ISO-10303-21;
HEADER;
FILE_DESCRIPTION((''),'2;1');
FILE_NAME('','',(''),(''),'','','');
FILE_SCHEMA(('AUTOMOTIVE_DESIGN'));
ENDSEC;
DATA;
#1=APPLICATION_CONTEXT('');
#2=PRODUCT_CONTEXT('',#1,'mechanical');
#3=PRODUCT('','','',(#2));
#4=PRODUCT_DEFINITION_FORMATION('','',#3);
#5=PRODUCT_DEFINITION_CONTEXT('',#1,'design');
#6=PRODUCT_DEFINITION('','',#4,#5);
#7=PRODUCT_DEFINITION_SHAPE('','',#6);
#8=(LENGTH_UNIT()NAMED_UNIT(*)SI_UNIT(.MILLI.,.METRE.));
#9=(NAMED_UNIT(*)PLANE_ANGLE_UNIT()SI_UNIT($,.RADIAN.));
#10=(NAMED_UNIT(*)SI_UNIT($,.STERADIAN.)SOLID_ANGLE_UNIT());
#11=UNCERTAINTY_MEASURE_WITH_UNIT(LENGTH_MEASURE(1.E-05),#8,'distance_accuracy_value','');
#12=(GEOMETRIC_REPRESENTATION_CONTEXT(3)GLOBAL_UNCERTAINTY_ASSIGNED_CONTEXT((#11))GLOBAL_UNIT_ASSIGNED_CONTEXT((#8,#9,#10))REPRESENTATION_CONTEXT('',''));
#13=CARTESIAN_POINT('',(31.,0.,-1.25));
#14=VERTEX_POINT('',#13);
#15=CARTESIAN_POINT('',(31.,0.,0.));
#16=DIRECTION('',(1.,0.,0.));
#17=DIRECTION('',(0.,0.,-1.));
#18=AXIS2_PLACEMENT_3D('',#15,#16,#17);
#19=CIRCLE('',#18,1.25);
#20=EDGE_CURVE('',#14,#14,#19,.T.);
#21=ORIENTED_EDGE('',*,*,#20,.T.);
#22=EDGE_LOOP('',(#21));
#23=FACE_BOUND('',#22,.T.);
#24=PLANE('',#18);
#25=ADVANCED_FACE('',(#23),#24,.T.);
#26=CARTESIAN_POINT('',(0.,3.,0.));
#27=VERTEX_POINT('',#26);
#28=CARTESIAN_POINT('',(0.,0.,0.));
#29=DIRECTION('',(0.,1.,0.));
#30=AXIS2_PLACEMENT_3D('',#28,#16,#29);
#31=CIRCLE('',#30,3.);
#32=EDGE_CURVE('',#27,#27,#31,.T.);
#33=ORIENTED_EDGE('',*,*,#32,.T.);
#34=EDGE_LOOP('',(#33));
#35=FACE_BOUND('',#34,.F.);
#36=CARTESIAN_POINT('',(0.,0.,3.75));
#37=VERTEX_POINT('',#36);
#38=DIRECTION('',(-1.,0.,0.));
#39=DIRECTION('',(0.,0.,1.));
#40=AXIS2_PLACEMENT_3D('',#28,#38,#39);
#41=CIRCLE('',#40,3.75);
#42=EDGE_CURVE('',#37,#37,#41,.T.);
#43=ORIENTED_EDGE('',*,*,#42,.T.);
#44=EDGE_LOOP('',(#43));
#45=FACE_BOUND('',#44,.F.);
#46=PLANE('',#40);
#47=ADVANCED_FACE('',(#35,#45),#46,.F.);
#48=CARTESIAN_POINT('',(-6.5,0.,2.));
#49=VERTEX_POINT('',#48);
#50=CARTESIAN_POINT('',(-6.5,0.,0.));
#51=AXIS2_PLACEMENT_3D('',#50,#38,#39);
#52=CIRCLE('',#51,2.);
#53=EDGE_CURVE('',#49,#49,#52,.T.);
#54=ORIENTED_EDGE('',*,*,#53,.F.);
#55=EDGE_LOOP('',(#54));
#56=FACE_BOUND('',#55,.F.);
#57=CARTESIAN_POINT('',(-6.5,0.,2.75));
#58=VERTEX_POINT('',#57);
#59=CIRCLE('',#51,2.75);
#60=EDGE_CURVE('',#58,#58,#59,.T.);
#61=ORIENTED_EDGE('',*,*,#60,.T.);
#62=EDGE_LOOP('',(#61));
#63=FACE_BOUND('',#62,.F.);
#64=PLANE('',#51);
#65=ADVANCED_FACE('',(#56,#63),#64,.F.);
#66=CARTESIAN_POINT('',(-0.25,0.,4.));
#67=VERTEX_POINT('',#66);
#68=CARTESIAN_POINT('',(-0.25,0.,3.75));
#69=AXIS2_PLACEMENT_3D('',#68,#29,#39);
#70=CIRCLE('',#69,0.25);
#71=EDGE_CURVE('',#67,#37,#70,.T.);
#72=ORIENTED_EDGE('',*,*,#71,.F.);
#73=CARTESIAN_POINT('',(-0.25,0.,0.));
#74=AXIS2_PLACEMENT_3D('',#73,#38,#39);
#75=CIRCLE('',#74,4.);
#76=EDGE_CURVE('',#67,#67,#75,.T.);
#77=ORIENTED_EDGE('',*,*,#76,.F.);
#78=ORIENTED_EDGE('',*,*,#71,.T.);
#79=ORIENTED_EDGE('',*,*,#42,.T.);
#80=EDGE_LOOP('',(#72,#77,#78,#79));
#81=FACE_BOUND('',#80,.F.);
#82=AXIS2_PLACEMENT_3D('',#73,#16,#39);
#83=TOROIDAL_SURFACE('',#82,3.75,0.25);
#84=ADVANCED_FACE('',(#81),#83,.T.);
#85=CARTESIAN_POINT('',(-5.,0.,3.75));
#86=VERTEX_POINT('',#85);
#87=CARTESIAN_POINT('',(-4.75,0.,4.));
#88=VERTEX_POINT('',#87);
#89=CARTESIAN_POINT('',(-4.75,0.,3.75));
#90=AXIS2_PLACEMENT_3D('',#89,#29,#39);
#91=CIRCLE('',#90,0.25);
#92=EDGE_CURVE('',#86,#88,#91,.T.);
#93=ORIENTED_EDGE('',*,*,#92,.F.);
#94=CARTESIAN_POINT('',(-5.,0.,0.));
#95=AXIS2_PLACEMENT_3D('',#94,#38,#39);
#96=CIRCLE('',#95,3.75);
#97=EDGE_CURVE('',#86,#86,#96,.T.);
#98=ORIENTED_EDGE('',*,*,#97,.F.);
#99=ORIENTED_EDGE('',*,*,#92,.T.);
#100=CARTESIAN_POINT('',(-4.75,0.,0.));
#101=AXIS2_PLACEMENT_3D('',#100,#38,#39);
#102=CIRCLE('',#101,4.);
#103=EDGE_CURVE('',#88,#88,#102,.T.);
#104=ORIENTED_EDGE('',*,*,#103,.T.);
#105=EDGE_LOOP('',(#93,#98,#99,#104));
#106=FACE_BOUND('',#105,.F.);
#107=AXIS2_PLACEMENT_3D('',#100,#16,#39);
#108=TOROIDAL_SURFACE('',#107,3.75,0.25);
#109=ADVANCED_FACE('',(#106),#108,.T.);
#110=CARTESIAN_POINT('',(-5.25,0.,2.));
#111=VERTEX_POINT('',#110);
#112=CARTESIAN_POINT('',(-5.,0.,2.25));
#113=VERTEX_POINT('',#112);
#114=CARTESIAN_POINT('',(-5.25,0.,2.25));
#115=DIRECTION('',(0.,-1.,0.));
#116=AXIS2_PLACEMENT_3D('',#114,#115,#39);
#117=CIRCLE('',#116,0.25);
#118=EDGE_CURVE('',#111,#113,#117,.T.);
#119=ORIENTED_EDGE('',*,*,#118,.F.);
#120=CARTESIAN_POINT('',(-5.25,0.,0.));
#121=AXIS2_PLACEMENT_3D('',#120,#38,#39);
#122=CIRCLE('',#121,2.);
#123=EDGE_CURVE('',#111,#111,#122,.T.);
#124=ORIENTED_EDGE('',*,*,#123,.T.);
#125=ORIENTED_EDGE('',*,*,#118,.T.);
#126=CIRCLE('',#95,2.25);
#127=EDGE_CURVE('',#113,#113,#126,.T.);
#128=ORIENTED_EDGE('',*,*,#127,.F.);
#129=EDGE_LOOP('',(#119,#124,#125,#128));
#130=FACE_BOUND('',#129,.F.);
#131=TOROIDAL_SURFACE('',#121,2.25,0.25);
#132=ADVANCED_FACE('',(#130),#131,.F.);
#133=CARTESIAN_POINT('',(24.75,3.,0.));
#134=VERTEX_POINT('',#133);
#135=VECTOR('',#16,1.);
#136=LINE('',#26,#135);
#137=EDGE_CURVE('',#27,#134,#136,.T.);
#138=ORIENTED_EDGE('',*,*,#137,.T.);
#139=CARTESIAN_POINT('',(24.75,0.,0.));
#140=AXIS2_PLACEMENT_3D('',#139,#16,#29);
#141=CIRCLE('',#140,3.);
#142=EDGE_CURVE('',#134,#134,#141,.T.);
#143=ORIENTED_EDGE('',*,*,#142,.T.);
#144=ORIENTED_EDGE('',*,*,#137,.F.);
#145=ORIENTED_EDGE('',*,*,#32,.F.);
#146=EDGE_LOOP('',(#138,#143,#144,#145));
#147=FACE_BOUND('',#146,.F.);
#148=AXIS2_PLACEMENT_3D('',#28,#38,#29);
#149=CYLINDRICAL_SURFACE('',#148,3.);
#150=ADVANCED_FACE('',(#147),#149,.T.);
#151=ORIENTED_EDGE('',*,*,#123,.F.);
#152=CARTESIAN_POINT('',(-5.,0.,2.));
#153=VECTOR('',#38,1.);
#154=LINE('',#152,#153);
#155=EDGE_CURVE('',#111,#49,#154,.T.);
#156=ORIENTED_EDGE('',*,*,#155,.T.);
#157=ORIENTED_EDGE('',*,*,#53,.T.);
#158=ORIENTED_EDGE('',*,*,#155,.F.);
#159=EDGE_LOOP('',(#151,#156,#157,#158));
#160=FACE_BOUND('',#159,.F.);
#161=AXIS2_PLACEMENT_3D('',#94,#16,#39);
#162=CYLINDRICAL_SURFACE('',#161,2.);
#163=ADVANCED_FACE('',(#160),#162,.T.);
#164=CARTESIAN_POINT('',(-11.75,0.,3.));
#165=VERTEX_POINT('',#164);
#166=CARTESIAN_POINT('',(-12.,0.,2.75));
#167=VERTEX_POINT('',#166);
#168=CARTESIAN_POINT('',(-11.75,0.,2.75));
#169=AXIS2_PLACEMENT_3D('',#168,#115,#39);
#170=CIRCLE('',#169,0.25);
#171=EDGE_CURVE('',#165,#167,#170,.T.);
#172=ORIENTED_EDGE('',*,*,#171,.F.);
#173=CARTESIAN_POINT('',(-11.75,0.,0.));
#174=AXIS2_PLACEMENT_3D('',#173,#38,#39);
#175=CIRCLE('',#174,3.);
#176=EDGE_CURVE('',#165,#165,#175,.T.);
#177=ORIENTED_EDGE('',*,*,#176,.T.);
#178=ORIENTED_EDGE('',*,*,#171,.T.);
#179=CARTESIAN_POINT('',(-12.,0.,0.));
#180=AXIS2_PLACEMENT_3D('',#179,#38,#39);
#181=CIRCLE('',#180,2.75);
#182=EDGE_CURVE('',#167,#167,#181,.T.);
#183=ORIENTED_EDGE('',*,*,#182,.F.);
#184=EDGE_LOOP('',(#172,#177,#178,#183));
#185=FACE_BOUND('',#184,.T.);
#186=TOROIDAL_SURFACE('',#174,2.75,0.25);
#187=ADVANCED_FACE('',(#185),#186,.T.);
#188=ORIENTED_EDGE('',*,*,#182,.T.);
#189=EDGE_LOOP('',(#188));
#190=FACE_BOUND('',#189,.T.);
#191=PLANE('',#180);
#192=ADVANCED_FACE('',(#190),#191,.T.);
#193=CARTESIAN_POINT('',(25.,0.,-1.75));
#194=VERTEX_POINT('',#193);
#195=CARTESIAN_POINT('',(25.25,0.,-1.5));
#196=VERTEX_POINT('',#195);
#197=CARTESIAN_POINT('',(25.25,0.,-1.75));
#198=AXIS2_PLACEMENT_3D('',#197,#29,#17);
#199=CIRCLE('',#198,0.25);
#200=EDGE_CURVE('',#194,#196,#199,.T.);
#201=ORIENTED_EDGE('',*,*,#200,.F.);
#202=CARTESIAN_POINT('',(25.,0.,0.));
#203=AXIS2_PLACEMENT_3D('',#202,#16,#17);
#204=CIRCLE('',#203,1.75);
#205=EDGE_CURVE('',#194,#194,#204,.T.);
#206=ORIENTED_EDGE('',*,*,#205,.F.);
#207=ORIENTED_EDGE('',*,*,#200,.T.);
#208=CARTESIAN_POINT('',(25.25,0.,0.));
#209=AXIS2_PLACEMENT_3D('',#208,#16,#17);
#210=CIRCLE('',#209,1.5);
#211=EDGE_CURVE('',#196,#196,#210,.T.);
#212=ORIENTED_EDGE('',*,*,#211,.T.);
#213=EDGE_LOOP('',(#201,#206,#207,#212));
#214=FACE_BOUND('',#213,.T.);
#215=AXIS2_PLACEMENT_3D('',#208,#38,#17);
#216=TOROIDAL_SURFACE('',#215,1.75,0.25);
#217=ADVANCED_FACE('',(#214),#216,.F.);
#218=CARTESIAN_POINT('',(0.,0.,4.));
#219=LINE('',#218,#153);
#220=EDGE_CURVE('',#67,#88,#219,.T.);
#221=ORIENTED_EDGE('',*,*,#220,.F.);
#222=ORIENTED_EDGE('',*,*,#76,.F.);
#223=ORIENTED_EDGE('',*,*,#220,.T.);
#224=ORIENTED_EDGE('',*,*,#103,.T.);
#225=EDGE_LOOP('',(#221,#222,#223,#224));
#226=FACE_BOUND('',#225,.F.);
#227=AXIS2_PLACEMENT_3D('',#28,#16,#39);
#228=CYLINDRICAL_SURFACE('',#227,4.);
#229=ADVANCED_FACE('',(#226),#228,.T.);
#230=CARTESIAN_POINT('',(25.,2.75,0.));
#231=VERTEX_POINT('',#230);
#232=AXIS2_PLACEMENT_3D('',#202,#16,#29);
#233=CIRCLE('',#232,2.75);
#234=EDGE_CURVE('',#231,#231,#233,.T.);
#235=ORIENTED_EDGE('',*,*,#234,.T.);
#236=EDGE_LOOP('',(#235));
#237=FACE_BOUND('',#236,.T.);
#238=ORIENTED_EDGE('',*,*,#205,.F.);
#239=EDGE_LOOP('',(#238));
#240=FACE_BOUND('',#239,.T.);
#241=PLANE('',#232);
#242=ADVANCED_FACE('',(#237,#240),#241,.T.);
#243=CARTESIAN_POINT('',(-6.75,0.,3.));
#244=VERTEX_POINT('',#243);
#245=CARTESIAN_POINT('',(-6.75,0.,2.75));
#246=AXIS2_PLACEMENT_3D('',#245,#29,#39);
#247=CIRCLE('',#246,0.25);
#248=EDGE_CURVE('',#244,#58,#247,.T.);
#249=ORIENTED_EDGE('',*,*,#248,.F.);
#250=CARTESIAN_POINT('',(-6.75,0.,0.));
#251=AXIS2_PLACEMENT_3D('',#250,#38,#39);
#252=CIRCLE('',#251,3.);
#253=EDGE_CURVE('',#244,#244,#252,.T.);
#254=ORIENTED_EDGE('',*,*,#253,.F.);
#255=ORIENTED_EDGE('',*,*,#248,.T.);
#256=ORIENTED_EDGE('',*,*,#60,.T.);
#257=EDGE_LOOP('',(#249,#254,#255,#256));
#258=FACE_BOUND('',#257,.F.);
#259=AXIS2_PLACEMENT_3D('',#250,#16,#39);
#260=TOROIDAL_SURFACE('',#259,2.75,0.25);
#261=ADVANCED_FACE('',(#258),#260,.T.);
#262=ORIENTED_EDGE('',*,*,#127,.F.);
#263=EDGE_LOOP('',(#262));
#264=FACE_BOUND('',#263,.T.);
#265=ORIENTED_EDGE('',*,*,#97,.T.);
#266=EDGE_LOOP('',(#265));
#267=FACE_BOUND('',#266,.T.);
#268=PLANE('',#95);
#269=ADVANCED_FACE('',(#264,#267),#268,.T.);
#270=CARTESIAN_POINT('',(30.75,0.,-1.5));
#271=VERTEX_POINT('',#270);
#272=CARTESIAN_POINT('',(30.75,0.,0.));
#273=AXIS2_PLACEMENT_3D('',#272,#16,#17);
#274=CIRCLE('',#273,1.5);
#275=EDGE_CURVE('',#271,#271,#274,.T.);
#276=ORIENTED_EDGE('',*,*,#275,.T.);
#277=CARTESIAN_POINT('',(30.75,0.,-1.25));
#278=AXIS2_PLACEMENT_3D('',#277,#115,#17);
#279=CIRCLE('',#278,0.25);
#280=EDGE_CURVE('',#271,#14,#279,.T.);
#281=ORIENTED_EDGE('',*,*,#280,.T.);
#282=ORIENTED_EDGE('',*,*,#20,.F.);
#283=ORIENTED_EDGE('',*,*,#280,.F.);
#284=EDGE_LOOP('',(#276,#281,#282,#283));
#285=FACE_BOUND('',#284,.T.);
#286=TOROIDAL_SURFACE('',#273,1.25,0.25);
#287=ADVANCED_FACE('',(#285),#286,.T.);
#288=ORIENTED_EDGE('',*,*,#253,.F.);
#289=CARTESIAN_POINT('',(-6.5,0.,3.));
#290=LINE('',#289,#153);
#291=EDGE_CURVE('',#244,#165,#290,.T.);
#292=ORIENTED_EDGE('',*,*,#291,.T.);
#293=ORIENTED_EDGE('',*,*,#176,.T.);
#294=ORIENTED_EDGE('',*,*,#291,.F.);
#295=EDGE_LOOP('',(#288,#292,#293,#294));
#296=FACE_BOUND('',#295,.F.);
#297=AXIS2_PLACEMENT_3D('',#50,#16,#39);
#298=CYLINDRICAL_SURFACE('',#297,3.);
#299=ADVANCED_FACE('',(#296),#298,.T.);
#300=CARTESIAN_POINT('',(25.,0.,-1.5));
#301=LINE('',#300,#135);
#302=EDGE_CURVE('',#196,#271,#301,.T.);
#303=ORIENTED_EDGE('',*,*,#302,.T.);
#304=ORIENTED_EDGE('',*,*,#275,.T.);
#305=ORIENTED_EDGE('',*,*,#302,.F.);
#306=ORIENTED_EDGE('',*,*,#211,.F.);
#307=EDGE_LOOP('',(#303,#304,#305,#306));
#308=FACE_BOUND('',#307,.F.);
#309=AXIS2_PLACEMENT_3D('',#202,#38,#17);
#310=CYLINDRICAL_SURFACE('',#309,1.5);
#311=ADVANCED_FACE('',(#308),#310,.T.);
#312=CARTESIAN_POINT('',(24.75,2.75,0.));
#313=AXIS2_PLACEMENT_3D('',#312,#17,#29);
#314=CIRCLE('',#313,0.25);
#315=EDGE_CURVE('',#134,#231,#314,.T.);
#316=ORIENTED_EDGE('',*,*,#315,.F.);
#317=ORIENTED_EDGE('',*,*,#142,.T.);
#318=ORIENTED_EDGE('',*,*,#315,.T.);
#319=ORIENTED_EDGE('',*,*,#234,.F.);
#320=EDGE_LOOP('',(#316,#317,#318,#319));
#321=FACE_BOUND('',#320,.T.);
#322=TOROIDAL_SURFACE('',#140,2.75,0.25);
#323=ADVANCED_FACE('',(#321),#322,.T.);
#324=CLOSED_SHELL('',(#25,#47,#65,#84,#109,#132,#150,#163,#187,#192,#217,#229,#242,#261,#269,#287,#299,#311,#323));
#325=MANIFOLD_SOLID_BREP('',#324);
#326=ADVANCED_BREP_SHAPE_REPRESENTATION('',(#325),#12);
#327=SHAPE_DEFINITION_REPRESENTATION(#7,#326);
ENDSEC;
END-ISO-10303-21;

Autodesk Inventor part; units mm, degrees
ref_plane "YZ Plane" through (0, 0, 0) normal (1, 0, 0) x (0, 1, 0)
ref_plane "XZ Plane" through (0, 0, 0) normal (0, 1, 0) x (-1, 0, 0)
ref_plane "XY Plane" through (0, 0, 0) normal (0, 0, 1) x (1, 0, 0)
sketch "Sketch1" plane through (0, 0, 0) normal (1, 0, 0) x (0, 1, 0)
  circle A0 centre (0, 0) radius 3
  dimension "d0" = 6
extrude "Extrusion1" add sketch "Sketch1" along normal blind 25
sketch "Sketch2" plane through (25, 0, 0) normal (1, 0, 0) x (0, 0, -1)
  circle A0 centre (0, 0) radius 1.5
  dimension "d3" = 3
extrude "Extrusion2" add sketch "Sketch2" along normal blind 6
sketch "Sketch3" plane through (0, 0, 0) normal (-1, 0, 0) x (0, 0, 1)
  circle A0 centre (0, 0) radius 4
  dimension "d6" = 8
extrude "Extrusion3" add sketch "Sketch3" along normal blind 5
sketch "Sketch4" plane through (-5, 0, 0) normal (-1, 0, 0) x (0, 0, 1)
  circle A0 centre (0, 0) radius 2
  dimension "d9" = 4
extrude "Extrusion4" add sketch "Sketch4" along normal blind 1.5
sketch "Sketch5" plane through (-6.5, 0, 0) normal (-1, 0, 0) x (0, 0, 1)
  circle A0 centre (0, 0) radius 3
  dimension "d12" = 6
extrude "Extrusion5" add sketch "Sketch5" along normal blind 5.5
thread "Thread1" size "M6x1" class "6g" standard "ANSI Metric M Profile" full length
thread "Thread2" size "M3x0.5" class "6g" standard "ANSI Metric M Profile" full length
fillet "Fillet1" radius 0.25 8 edges at (-12, 0, -3) (-6.5, 0, -3) (-5, 0, -4) (0, 0, -4) (25, -3, 0) (31, 0, 1.5) (25, 0, 1.5) (-5, 0, -2)
properties part number "Reverse Lever Ring Stud" material "Steel, Mild"
